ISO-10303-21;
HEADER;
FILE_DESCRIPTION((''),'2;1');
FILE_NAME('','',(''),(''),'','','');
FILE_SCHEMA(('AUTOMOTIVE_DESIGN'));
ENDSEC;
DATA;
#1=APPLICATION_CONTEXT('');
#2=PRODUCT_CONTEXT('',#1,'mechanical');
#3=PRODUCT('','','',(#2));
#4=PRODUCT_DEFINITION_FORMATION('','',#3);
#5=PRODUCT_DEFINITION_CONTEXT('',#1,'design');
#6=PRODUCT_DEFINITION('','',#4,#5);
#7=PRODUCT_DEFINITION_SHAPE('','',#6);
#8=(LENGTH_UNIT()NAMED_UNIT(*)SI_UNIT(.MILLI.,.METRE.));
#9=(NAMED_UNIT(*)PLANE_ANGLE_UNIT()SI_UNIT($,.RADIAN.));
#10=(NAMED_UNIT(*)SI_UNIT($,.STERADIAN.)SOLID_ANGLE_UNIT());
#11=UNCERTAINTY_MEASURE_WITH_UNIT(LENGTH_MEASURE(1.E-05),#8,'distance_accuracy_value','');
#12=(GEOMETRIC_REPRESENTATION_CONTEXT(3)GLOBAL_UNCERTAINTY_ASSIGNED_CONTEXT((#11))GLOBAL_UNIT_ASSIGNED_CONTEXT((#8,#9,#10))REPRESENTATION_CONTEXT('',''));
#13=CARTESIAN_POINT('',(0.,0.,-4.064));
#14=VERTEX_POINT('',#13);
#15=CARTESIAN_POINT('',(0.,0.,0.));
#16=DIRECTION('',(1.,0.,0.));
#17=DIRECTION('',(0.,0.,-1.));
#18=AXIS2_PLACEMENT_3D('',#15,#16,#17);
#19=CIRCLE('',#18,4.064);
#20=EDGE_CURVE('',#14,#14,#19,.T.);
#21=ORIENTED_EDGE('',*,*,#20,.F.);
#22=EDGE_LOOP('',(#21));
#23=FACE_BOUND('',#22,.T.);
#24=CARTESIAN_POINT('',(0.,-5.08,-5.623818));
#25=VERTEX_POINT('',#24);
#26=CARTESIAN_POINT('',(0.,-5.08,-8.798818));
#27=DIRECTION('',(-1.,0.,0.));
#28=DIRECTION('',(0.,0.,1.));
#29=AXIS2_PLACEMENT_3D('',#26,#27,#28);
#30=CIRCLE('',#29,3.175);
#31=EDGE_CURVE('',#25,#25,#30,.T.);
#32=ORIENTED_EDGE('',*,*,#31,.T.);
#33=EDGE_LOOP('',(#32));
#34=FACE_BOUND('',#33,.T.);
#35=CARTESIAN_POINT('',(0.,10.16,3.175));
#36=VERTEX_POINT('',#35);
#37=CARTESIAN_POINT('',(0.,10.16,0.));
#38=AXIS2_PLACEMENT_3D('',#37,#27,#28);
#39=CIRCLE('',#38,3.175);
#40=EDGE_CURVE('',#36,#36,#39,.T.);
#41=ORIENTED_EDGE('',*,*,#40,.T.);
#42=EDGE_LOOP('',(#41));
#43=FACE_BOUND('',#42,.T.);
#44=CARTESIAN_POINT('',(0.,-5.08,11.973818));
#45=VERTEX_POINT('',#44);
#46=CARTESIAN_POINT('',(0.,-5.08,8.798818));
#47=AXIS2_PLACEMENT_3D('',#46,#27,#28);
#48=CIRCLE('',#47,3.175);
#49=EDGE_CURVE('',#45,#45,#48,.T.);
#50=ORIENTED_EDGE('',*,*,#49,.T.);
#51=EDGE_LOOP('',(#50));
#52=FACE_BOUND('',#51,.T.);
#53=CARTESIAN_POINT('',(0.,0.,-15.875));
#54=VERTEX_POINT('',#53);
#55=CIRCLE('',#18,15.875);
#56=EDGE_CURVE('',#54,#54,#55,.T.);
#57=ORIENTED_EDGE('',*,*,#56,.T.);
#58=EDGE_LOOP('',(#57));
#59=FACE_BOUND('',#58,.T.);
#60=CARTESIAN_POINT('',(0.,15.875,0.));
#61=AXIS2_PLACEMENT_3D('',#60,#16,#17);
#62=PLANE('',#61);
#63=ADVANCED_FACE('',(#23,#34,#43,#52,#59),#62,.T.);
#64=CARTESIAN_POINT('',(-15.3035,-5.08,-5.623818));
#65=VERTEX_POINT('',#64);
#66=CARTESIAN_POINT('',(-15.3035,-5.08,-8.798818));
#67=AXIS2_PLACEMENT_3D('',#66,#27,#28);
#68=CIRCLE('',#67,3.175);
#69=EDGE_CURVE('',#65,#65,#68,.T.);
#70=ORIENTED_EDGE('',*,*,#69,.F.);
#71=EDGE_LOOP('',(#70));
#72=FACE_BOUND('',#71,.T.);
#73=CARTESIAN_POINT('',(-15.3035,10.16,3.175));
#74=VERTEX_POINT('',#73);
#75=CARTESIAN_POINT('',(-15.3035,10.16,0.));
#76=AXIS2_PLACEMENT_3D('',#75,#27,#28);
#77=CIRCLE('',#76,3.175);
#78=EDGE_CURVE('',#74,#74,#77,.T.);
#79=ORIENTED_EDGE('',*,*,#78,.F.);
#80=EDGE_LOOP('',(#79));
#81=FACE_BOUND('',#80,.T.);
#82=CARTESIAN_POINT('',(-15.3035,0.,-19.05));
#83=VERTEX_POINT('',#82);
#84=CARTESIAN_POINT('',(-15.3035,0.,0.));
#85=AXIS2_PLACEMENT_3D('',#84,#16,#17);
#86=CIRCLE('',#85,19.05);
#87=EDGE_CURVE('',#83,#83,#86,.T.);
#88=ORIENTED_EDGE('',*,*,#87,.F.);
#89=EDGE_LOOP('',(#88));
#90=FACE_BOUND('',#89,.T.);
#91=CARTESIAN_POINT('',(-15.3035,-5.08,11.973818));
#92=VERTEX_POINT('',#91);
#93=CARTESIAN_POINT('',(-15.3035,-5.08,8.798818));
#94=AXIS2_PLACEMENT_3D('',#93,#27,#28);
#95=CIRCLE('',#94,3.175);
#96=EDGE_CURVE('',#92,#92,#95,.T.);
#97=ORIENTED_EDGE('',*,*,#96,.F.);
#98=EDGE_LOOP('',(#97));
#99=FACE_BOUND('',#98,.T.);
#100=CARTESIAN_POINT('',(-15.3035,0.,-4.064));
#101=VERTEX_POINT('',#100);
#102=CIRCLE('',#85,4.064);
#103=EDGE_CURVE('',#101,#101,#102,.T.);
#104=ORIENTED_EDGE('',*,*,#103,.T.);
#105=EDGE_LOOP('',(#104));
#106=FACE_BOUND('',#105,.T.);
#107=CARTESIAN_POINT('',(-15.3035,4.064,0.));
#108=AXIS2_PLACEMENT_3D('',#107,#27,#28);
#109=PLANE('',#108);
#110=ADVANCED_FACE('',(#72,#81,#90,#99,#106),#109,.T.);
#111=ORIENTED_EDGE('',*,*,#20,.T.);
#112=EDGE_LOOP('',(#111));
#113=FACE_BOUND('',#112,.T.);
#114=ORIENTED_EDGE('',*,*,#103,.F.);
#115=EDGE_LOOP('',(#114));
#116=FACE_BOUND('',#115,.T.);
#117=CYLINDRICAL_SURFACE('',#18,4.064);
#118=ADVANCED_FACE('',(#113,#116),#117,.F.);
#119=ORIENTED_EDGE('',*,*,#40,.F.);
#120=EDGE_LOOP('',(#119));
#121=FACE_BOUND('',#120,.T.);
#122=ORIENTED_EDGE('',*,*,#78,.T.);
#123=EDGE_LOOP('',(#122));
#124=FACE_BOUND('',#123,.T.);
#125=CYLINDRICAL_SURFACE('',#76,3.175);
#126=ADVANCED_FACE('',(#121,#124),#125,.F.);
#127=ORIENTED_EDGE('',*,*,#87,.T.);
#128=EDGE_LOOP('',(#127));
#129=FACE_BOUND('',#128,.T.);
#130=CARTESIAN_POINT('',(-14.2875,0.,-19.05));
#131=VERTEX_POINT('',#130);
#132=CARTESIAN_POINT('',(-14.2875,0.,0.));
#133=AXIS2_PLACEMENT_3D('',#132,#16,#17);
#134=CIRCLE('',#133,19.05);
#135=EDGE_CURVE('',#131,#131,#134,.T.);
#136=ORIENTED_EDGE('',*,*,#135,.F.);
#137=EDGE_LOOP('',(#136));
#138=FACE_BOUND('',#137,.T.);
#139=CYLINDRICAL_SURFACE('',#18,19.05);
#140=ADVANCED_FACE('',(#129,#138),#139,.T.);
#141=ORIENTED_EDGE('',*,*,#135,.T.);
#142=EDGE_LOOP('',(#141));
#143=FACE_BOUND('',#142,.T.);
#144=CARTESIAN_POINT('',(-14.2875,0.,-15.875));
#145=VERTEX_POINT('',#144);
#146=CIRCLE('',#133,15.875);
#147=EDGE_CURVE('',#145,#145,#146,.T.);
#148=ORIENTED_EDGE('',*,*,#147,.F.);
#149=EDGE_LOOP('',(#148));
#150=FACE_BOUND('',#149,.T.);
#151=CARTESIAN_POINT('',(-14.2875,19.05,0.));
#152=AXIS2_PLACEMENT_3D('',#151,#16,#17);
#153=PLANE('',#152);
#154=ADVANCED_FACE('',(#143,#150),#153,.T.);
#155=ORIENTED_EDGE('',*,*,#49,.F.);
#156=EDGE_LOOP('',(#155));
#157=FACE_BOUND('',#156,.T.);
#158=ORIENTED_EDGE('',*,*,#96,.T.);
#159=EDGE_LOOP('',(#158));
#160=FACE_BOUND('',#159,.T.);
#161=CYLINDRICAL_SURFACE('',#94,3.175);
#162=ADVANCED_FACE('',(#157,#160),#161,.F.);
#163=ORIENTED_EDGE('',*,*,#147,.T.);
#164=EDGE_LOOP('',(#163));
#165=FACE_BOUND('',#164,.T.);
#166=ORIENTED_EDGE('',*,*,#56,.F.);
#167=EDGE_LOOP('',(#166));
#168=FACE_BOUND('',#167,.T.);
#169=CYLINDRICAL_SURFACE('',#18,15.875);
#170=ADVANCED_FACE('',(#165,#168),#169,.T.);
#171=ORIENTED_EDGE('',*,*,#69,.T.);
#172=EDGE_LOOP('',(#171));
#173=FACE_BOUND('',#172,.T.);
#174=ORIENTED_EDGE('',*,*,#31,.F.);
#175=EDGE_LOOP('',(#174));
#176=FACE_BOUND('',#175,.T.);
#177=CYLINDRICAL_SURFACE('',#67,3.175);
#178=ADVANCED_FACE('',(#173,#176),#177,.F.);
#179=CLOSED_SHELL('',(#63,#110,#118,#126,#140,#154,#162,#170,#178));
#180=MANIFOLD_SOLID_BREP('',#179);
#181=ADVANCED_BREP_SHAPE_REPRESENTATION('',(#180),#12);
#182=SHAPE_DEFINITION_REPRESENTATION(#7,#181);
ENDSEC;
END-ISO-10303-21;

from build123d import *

# Parameters (mm, degrees)
F_1_4_0_2500_DOWEL_HOLE1_D = 6.35


with BuildPart() as part:
    # Sketch1 → Revolve1 (revolve)
    with BuildSketch(Plane.XY):
        Polygon((0, 4.064), (-15.3035, 4.064), (-15.3035, 19.05), (-14.2875, 19.05), (-14.2875, 15.875), (0, 15.875), align=None)
    revolve(axis=Axis((0, 0, 0), (-1, 0, 0)))

    # 1/4 (0.2500) Dowel Hole1 (through all)
    with Locations(Plane.ZY.offset(15.3035)):
        with Locations((0, 10.16), (8.798818102, -5.08), (-8.798818102, -5.08)):
            Hole(F_1_4_0_2500_DOWEL_HOLE1_D / 2)


solid = part.part
